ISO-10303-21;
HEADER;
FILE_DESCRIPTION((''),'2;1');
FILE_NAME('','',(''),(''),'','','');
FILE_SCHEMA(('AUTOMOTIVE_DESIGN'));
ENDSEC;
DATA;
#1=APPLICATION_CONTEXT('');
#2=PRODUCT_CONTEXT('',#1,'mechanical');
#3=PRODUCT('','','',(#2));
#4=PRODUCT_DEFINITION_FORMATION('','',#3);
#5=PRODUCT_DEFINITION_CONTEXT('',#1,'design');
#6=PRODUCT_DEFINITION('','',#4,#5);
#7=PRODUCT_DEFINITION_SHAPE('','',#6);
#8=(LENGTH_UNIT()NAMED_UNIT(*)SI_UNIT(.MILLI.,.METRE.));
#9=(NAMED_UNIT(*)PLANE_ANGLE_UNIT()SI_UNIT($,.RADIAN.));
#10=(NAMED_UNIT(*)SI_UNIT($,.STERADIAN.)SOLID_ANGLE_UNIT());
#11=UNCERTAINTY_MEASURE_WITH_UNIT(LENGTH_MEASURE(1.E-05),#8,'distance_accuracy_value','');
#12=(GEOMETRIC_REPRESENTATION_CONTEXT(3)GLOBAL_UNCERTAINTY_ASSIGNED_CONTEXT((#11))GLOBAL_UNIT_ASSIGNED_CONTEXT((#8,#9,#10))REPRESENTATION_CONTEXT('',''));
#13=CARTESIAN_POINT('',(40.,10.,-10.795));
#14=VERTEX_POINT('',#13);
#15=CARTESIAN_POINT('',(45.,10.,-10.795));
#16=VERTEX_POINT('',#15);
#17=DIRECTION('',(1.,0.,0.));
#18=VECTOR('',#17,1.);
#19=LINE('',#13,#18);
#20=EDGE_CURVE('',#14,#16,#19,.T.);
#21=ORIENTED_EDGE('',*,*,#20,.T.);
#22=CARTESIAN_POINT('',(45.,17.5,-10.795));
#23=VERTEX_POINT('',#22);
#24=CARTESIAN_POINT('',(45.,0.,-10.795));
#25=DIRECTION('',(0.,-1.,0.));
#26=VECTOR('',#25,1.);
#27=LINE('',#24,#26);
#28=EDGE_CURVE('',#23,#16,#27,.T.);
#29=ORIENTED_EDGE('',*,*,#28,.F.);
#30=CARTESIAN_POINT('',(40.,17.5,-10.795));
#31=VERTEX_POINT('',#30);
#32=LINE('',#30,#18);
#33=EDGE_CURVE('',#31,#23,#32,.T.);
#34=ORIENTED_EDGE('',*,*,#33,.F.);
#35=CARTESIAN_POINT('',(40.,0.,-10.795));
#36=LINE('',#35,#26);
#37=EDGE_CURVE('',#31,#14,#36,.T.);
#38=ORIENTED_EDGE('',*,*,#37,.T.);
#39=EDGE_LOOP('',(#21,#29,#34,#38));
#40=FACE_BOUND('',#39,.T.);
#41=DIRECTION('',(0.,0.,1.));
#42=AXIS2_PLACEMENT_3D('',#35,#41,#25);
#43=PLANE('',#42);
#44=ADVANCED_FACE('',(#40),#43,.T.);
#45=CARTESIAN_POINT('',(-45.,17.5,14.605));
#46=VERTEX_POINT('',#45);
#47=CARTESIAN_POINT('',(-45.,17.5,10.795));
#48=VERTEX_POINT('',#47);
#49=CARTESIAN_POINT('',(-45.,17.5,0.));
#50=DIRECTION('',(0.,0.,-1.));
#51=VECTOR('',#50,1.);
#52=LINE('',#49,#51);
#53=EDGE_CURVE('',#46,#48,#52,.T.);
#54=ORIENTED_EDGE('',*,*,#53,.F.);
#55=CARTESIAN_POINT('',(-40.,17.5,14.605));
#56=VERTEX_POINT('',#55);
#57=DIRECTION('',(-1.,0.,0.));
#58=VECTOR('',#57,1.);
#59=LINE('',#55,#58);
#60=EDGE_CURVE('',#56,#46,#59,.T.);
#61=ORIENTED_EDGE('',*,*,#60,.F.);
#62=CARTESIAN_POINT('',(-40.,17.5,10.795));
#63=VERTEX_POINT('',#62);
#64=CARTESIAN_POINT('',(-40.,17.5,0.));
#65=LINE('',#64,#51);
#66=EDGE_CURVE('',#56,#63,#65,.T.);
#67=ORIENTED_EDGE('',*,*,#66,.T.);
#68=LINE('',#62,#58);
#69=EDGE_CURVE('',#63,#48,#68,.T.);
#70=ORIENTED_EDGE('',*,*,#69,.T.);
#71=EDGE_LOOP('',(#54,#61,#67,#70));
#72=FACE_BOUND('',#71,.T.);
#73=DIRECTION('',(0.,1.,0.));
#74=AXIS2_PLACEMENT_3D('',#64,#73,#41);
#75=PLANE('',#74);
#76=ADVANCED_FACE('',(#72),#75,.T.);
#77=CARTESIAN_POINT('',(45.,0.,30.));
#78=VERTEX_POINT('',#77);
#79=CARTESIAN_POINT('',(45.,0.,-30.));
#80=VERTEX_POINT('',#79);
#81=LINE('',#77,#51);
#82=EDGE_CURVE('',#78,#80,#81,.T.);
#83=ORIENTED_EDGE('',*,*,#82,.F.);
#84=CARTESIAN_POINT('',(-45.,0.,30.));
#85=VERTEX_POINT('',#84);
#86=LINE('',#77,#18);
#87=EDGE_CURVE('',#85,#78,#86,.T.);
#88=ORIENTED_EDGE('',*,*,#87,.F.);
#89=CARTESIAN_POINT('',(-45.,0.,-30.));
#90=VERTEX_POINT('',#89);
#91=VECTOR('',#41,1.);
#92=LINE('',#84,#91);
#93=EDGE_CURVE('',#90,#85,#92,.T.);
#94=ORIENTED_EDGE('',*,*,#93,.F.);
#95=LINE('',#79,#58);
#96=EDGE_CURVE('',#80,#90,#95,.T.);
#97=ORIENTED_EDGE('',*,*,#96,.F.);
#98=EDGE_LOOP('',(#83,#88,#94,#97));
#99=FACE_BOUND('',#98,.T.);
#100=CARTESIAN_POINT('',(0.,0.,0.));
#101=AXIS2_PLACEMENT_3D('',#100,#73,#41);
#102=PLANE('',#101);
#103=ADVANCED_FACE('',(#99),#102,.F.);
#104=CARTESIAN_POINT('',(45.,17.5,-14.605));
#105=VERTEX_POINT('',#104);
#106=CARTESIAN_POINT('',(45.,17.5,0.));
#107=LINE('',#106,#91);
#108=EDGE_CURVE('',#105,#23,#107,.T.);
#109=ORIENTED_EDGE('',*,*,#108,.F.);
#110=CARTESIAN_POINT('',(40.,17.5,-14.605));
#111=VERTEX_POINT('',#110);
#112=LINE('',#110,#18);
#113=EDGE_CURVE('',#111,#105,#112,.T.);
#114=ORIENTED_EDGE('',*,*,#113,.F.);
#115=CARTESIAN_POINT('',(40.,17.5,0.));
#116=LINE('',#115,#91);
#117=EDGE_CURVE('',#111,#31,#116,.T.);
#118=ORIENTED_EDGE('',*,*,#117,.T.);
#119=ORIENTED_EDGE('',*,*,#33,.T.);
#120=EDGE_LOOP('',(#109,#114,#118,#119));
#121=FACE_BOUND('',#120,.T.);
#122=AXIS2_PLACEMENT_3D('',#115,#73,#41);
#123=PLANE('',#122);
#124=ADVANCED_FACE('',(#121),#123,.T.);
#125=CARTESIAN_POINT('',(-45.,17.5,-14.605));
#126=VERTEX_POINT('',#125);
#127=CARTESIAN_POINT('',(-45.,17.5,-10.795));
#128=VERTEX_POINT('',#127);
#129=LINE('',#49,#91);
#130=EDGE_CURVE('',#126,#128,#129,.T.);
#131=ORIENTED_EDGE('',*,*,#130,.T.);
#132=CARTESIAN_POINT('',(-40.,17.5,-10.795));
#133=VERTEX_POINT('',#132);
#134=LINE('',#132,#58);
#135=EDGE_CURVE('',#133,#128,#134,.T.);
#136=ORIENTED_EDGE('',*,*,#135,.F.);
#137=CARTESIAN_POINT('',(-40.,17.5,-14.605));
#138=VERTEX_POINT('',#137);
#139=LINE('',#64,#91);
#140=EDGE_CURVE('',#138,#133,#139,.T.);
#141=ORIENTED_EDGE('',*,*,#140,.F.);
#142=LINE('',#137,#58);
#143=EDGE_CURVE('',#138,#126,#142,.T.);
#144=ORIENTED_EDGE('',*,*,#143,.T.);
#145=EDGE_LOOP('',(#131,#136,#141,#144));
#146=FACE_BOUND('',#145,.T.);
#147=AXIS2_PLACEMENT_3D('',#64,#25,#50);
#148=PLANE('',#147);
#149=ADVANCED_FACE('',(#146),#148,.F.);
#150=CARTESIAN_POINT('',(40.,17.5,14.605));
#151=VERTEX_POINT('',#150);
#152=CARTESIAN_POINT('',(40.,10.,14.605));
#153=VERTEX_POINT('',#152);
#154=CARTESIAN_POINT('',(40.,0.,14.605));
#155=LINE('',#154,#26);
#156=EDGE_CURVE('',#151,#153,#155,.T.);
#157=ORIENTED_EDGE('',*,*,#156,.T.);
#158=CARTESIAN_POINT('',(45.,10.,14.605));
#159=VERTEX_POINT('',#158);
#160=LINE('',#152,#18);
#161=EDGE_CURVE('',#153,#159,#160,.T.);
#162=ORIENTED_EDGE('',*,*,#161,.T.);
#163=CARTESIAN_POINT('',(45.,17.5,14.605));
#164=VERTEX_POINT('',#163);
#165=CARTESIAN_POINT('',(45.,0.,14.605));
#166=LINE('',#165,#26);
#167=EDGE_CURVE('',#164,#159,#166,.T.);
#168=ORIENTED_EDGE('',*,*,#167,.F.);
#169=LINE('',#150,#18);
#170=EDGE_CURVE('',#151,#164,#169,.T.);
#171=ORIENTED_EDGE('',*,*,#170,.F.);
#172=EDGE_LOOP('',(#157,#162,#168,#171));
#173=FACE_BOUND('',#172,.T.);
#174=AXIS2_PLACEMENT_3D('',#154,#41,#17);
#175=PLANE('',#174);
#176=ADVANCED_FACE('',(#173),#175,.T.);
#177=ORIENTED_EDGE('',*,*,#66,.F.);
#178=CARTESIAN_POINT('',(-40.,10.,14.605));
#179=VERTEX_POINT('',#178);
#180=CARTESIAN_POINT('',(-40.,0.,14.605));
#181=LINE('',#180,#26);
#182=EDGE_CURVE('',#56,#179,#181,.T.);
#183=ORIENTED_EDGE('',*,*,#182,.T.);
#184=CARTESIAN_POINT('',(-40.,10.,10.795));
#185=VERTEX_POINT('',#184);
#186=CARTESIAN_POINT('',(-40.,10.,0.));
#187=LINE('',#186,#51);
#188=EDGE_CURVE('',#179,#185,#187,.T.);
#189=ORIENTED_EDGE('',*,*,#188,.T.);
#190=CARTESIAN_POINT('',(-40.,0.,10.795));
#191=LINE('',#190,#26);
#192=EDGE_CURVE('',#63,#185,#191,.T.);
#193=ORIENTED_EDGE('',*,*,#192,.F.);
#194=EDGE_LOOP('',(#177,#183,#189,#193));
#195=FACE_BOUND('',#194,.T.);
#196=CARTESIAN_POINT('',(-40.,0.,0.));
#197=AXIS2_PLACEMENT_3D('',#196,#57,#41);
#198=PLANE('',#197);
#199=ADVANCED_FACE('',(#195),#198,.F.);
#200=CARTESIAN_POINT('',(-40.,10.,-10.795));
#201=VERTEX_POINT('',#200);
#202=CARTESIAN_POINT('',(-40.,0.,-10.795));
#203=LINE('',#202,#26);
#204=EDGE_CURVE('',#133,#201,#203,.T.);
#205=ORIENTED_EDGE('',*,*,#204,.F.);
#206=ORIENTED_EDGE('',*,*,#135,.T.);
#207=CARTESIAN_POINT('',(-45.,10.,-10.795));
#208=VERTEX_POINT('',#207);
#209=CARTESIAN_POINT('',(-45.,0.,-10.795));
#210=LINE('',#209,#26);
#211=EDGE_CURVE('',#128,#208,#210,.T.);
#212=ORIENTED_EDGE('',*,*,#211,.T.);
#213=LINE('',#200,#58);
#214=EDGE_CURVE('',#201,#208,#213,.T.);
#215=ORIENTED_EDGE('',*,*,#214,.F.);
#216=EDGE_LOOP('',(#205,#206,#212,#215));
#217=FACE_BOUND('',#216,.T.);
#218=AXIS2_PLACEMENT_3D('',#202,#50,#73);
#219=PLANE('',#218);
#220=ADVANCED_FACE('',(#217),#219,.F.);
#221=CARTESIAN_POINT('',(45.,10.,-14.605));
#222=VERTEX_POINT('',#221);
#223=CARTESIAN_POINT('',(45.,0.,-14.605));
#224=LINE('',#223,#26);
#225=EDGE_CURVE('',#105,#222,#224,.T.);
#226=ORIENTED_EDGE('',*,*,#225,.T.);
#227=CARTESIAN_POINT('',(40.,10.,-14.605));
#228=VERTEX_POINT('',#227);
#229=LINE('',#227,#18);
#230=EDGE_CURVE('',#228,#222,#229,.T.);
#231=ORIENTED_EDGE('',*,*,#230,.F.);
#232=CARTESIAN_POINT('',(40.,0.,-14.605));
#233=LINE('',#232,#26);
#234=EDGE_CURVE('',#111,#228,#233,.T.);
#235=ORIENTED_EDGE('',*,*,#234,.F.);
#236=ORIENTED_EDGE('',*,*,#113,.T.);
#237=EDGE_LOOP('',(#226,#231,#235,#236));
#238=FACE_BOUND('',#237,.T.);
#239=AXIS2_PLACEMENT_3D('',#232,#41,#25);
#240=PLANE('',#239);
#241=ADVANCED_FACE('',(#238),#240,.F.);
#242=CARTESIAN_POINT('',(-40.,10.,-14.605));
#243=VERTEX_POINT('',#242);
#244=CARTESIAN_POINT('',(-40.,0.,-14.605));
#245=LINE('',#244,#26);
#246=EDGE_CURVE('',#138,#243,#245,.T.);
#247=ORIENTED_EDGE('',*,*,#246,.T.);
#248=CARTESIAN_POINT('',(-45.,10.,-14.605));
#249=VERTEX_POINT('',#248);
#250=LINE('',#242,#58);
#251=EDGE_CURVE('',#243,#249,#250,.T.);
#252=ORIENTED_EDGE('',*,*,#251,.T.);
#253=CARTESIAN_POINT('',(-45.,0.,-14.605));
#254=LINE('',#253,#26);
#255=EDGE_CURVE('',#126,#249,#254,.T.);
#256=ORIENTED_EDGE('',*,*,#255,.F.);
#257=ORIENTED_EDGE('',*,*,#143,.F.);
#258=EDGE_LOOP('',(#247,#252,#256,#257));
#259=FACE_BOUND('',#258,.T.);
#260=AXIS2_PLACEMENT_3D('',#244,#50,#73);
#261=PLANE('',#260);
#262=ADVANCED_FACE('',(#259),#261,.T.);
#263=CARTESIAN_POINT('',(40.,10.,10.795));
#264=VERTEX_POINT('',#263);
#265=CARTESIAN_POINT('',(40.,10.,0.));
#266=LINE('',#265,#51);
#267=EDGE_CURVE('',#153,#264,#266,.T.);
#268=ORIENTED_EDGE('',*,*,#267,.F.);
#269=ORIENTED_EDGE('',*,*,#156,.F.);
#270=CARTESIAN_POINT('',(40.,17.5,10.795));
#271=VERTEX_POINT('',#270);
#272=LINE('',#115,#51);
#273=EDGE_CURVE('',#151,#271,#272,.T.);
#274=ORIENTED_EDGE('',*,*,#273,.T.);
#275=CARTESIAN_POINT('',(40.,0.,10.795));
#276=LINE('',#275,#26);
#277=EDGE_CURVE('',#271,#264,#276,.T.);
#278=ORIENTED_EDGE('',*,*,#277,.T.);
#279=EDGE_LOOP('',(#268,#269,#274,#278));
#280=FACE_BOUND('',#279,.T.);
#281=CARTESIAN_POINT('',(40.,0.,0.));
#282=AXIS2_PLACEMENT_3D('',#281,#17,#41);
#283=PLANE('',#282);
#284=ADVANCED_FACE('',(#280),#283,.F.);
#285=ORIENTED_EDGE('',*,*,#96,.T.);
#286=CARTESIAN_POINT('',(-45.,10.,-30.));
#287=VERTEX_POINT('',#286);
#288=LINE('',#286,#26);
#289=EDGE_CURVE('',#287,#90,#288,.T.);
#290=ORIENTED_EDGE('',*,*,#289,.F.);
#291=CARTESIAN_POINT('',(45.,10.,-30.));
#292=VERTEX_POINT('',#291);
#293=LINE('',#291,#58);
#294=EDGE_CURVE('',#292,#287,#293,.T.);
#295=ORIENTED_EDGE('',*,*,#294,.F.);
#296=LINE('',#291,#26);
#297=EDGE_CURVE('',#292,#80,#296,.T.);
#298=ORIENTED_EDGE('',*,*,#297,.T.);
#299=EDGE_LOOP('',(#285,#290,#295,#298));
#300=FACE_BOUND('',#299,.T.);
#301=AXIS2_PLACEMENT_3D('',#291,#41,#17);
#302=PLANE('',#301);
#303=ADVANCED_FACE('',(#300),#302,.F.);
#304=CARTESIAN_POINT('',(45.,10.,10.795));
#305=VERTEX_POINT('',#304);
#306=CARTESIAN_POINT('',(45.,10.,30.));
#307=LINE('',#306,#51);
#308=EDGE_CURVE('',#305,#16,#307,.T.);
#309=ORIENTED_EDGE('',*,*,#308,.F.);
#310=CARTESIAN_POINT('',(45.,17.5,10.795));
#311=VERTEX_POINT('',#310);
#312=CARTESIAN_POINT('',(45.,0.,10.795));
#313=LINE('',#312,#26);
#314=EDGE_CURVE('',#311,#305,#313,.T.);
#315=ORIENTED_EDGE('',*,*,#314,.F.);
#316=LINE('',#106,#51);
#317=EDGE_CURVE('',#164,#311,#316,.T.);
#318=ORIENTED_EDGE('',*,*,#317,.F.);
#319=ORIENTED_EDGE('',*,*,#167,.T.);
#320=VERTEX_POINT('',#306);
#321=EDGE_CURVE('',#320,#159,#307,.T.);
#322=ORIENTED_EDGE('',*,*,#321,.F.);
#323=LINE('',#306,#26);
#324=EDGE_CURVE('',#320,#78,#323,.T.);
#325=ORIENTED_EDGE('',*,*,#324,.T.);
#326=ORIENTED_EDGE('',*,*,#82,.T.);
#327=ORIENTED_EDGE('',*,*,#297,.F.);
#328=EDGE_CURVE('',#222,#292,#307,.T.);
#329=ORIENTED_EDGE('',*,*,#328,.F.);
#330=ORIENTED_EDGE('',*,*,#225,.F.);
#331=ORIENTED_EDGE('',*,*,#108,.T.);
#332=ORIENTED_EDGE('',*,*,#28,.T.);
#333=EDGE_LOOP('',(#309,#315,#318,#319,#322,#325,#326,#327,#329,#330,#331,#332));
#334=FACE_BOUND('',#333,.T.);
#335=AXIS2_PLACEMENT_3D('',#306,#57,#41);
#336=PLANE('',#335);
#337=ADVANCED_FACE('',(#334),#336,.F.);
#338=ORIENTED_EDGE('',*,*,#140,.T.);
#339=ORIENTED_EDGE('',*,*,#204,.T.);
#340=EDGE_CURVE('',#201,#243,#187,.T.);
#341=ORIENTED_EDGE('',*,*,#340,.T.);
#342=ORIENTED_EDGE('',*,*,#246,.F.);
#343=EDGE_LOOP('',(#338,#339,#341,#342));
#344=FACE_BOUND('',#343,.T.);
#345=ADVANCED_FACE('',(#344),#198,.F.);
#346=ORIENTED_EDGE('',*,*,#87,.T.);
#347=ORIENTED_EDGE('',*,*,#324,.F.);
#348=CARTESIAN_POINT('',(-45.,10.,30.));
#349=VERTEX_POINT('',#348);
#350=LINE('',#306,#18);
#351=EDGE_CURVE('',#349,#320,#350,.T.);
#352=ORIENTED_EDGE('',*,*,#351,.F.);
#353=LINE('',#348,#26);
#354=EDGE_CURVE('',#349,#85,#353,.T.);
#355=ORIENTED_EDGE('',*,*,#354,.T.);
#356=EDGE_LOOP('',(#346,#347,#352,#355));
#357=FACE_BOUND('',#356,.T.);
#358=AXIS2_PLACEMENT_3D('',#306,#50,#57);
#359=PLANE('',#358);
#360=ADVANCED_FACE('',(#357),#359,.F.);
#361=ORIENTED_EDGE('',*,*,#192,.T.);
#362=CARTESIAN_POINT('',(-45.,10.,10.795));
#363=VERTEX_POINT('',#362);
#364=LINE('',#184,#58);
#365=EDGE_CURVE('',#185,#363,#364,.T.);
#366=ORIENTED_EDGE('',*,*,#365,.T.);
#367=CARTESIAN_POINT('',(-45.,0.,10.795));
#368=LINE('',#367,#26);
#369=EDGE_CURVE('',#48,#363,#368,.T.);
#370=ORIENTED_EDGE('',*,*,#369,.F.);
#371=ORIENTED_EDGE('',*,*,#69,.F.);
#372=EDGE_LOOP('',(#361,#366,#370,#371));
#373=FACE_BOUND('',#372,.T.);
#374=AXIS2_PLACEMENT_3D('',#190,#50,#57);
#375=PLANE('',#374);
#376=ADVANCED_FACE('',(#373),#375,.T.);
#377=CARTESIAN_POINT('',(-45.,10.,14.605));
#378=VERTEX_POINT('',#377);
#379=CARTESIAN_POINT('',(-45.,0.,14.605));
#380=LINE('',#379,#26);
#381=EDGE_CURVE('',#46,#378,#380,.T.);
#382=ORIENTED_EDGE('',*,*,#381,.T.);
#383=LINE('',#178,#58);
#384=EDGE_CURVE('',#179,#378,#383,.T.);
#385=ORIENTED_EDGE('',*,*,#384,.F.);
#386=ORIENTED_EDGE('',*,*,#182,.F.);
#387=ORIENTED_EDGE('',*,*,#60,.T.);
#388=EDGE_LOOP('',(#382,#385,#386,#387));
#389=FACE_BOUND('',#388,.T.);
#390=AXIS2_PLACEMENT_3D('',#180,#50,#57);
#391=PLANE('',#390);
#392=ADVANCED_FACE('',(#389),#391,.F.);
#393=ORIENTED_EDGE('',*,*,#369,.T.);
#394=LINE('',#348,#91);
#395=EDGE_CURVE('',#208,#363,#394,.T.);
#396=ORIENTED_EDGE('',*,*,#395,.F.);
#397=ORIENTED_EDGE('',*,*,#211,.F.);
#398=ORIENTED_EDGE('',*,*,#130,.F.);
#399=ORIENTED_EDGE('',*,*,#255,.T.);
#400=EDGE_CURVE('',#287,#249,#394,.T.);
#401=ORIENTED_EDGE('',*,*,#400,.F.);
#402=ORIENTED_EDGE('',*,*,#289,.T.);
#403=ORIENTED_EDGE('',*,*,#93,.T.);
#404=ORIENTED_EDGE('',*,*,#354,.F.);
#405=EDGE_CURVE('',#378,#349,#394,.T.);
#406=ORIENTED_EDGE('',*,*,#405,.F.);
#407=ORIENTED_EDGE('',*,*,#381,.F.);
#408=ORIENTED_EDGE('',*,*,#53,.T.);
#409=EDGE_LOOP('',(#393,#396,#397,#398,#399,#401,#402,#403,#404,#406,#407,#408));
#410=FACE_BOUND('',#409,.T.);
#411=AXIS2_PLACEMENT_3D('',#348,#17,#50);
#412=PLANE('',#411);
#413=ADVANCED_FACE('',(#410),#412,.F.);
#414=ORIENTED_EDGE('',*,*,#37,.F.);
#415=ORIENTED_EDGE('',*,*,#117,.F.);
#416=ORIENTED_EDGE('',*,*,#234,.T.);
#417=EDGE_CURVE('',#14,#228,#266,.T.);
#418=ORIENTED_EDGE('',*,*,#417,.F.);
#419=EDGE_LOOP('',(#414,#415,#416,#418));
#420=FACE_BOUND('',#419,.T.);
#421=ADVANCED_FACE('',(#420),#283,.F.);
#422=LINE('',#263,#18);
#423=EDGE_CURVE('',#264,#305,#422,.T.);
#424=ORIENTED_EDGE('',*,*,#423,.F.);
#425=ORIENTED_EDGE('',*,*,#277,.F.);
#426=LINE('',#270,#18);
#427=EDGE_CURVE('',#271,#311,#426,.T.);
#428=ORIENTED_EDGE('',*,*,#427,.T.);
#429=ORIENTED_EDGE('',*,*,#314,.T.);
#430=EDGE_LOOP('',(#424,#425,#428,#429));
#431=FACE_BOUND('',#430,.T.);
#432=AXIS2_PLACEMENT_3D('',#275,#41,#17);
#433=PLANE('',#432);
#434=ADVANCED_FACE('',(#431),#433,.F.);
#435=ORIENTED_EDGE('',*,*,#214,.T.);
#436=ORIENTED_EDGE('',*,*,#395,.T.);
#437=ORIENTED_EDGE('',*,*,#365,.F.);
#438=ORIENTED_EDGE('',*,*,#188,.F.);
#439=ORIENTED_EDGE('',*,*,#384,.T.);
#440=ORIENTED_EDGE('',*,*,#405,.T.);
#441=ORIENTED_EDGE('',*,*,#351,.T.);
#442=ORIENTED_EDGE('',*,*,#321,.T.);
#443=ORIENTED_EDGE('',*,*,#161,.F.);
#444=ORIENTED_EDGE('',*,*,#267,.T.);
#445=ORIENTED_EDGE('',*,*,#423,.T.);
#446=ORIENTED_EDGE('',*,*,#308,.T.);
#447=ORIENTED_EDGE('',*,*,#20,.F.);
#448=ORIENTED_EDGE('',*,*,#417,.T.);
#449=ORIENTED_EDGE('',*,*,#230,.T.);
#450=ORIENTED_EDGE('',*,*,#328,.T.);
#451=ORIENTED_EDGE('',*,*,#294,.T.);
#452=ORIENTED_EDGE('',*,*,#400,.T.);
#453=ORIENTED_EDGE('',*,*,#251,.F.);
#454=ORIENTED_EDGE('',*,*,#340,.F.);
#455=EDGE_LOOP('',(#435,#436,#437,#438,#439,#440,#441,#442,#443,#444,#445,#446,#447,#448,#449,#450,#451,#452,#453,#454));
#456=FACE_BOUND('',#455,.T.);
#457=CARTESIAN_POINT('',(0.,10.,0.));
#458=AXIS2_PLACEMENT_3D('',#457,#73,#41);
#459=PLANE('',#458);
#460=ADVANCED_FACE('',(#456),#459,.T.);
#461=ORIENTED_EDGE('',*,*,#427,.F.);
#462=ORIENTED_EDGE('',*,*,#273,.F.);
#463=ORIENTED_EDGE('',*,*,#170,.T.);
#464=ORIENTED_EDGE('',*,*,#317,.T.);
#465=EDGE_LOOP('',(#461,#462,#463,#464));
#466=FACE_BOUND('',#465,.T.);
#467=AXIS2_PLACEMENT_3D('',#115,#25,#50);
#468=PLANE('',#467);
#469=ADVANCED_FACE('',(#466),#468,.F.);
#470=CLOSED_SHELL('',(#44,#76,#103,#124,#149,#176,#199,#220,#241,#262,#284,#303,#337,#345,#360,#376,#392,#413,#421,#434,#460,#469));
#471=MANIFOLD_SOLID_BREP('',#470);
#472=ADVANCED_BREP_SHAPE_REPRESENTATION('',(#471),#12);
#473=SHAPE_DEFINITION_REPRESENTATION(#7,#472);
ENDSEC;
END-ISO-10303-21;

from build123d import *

# Parameters (mm, degrees)
SKETCH1_W           = 90
SKETCH1_H           = 60
BOSS_EXTRUDE1_DEPTH = 10
SKETCH4_W           = 3.81
SKETCH4_H           = 7.5
BOSS_EXTRUDE2_DEPTH = 5


with BuildPart() as part:
    # Sketch1 → Boss-Extrude1 (new body)
    with BuildSketch(Plane(origin=(0, 0, 0), x_dir=(1, 0, 0), z_dir=(0, 1, 0))):
        Rectangle(SKETCH1_W, SKETCH1_H)
    extrude(amount=BOSS_EXTRUDE1_DEPTH)

    # Sketch4 → Boss-Extrude2 (add)
    with BuildSketch(Plane.ZY.offset(45)):
        with Locations((-12.7, 13.75)):
            Rectangle(SKETCH4_W, SKETCH4_H)
        with Locations((12.7, 13.75)):
            Rectangle(SKETCH4_W, SKETCH4_H)
    boss_extrude2 = extrude(amount=-BOSS_EXTRUDE2_DEPTH)

    # Mirror1: Boss-Extrude2 across plane
    add(boss_extrude2.mirror(Plane(origin=(0, 0, 0), x_dir=(0, 0, 1), z_dir=(1, 0, 0))))


solid = part.part
